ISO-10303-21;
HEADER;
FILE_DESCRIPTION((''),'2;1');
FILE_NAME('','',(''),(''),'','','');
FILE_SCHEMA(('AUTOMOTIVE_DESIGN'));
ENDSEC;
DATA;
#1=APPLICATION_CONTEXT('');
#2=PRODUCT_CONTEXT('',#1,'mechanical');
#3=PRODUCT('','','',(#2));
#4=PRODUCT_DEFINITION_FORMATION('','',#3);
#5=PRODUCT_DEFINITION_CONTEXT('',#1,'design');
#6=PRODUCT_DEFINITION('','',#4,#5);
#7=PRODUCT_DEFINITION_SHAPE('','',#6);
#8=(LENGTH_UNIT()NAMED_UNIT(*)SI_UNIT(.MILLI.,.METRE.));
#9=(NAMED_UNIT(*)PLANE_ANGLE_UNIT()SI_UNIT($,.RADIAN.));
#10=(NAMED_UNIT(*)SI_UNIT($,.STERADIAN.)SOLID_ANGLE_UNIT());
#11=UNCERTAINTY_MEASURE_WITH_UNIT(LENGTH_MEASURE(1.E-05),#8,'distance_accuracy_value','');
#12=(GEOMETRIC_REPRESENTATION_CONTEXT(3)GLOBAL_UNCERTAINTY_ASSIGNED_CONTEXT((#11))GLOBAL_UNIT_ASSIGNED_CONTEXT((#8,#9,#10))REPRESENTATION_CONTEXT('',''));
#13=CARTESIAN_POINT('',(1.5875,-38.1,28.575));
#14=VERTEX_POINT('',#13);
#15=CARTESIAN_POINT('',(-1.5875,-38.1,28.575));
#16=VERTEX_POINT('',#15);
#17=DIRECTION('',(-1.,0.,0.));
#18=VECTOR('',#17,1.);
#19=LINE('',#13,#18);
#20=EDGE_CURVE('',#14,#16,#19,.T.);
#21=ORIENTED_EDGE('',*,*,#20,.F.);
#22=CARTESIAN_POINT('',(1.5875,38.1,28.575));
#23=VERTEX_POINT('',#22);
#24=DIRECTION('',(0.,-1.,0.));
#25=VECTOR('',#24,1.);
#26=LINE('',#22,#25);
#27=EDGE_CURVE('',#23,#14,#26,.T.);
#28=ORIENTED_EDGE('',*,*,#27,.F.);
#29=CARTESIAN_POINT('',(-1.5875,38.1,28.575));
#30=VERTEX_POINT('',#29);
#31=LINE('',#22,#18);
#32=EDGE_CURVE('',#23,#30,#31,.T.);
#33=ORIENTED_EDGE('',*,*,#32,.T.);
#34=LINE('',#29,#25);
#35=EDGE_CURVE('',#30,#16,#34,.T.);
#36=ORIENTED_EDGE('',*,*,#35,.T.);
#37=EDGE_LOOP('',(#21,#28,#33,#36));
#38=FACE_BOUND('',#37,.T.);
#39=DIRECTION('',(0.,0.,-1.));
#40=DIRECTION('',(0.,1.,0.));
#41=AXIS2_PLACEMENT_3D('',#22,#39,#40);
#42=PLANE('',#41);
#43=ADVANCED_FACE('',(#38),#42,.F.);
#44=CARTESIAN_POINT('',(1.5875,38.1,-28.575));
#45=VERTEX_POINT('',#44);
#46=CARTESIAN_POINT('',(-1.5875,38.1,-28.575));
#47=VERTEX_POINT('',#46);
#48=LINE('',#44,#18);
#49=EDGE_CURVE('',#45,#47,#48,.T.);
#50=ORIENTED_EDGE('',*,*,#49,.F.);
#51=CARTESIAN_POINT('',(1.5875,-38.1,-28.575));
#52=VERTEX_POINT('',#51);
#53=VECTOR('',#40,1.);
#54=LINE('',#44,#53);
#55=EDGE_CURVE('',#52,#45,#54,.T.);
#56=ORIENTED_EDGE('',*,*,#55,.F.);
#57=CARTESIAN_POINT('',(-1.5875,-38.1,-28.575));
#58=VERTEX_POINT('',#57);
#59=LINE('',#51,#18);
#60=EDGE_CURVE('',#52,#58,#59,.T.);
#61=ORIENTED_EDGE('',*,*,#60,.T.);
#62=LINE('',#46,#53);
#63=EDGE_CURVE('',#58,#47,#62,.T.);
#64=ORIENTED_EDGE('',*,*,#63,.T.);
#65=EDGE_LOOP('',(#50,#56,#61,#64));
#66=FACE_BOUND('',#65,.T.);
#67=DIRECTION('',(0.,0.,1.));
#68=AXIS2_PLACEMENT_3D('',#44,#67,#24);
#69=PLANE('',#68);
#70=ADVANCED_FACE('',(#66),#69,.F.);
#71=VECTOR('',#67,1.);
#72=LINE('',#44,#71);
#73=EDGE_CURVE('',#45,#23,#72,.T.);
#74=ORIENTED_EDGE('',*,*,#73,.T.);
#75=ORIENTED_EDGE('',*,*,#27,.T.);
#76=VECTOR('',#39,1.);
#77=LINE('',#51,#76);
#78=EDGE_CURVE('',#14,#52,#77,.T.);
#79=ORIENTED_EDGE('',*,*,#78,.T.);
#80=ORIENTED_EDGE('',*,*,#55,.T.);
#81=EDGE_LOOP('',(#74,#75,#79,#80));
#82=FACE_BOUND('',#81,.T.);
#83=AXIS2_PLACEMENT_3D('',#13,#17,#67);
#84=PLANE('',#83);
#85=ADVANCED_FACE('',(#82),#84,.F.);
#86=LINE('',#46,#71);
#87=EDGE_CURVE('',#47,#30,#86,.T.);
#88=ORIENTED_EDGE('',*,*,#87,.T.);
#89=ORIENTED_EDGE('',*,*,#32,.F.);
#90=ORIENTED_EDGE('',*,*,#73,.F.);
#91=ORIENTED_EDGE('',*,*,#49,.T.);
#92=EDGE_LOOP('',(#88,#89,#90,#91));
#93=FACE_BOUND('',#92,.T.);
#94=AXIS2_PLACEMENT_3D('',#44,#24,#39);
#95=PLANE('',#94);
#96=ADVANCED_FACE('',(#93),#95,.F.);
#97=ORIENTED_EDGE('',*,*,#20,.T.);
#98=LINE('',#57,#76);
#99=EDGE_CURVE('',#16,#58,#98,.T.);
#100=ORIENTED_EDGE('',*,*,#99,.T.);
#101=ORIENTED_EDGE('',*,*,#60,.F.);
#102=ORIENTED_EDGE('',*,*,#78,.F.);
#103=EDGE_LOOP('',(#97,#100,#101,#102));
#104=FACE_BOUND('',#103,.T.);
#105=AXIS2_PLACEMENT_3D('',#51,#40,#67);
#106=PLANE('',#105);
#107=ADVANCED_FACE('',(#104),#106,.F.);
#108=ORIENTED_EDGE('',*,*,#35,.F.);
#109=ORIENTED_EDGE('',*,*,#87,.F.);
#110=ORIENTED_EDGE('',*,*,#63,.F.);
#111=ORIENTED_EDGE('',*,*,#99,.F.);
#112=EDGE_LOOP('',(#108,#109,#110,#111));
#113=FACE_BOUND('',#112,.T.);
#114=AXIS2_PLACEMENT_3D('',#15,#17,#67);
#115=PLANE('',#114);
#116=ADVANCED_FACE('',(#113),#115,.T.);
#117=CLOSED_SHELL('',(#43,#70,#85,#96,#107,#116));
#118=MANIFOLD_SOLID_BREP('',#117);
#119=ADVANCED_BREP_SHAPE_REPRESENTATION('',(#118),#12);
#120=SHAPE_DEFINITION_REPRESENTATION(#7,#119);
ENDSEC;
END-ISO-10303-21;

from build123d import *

# Parameters (mm, degrees)
SKETCH1_W           = 57.15
SKETCH1_H           = 76.2
BOSS_EXTRUDE1_DEPTH = 1.5875


with BuildPart() as part:
    # Sketch1 → Boss-Extrude1 (new body, symmetric)
    with BuildSketch(Plane(origin=(0, 0, 0), x_dir=(0, 0, -1), z_dir=(1, 0, 0))):
        Rectangle(SKETCH1_W, SKETCH1_H)
    extrude(amount=BOSS_EXTRUDE1_DEPTH, both=True)


solid = part.part
